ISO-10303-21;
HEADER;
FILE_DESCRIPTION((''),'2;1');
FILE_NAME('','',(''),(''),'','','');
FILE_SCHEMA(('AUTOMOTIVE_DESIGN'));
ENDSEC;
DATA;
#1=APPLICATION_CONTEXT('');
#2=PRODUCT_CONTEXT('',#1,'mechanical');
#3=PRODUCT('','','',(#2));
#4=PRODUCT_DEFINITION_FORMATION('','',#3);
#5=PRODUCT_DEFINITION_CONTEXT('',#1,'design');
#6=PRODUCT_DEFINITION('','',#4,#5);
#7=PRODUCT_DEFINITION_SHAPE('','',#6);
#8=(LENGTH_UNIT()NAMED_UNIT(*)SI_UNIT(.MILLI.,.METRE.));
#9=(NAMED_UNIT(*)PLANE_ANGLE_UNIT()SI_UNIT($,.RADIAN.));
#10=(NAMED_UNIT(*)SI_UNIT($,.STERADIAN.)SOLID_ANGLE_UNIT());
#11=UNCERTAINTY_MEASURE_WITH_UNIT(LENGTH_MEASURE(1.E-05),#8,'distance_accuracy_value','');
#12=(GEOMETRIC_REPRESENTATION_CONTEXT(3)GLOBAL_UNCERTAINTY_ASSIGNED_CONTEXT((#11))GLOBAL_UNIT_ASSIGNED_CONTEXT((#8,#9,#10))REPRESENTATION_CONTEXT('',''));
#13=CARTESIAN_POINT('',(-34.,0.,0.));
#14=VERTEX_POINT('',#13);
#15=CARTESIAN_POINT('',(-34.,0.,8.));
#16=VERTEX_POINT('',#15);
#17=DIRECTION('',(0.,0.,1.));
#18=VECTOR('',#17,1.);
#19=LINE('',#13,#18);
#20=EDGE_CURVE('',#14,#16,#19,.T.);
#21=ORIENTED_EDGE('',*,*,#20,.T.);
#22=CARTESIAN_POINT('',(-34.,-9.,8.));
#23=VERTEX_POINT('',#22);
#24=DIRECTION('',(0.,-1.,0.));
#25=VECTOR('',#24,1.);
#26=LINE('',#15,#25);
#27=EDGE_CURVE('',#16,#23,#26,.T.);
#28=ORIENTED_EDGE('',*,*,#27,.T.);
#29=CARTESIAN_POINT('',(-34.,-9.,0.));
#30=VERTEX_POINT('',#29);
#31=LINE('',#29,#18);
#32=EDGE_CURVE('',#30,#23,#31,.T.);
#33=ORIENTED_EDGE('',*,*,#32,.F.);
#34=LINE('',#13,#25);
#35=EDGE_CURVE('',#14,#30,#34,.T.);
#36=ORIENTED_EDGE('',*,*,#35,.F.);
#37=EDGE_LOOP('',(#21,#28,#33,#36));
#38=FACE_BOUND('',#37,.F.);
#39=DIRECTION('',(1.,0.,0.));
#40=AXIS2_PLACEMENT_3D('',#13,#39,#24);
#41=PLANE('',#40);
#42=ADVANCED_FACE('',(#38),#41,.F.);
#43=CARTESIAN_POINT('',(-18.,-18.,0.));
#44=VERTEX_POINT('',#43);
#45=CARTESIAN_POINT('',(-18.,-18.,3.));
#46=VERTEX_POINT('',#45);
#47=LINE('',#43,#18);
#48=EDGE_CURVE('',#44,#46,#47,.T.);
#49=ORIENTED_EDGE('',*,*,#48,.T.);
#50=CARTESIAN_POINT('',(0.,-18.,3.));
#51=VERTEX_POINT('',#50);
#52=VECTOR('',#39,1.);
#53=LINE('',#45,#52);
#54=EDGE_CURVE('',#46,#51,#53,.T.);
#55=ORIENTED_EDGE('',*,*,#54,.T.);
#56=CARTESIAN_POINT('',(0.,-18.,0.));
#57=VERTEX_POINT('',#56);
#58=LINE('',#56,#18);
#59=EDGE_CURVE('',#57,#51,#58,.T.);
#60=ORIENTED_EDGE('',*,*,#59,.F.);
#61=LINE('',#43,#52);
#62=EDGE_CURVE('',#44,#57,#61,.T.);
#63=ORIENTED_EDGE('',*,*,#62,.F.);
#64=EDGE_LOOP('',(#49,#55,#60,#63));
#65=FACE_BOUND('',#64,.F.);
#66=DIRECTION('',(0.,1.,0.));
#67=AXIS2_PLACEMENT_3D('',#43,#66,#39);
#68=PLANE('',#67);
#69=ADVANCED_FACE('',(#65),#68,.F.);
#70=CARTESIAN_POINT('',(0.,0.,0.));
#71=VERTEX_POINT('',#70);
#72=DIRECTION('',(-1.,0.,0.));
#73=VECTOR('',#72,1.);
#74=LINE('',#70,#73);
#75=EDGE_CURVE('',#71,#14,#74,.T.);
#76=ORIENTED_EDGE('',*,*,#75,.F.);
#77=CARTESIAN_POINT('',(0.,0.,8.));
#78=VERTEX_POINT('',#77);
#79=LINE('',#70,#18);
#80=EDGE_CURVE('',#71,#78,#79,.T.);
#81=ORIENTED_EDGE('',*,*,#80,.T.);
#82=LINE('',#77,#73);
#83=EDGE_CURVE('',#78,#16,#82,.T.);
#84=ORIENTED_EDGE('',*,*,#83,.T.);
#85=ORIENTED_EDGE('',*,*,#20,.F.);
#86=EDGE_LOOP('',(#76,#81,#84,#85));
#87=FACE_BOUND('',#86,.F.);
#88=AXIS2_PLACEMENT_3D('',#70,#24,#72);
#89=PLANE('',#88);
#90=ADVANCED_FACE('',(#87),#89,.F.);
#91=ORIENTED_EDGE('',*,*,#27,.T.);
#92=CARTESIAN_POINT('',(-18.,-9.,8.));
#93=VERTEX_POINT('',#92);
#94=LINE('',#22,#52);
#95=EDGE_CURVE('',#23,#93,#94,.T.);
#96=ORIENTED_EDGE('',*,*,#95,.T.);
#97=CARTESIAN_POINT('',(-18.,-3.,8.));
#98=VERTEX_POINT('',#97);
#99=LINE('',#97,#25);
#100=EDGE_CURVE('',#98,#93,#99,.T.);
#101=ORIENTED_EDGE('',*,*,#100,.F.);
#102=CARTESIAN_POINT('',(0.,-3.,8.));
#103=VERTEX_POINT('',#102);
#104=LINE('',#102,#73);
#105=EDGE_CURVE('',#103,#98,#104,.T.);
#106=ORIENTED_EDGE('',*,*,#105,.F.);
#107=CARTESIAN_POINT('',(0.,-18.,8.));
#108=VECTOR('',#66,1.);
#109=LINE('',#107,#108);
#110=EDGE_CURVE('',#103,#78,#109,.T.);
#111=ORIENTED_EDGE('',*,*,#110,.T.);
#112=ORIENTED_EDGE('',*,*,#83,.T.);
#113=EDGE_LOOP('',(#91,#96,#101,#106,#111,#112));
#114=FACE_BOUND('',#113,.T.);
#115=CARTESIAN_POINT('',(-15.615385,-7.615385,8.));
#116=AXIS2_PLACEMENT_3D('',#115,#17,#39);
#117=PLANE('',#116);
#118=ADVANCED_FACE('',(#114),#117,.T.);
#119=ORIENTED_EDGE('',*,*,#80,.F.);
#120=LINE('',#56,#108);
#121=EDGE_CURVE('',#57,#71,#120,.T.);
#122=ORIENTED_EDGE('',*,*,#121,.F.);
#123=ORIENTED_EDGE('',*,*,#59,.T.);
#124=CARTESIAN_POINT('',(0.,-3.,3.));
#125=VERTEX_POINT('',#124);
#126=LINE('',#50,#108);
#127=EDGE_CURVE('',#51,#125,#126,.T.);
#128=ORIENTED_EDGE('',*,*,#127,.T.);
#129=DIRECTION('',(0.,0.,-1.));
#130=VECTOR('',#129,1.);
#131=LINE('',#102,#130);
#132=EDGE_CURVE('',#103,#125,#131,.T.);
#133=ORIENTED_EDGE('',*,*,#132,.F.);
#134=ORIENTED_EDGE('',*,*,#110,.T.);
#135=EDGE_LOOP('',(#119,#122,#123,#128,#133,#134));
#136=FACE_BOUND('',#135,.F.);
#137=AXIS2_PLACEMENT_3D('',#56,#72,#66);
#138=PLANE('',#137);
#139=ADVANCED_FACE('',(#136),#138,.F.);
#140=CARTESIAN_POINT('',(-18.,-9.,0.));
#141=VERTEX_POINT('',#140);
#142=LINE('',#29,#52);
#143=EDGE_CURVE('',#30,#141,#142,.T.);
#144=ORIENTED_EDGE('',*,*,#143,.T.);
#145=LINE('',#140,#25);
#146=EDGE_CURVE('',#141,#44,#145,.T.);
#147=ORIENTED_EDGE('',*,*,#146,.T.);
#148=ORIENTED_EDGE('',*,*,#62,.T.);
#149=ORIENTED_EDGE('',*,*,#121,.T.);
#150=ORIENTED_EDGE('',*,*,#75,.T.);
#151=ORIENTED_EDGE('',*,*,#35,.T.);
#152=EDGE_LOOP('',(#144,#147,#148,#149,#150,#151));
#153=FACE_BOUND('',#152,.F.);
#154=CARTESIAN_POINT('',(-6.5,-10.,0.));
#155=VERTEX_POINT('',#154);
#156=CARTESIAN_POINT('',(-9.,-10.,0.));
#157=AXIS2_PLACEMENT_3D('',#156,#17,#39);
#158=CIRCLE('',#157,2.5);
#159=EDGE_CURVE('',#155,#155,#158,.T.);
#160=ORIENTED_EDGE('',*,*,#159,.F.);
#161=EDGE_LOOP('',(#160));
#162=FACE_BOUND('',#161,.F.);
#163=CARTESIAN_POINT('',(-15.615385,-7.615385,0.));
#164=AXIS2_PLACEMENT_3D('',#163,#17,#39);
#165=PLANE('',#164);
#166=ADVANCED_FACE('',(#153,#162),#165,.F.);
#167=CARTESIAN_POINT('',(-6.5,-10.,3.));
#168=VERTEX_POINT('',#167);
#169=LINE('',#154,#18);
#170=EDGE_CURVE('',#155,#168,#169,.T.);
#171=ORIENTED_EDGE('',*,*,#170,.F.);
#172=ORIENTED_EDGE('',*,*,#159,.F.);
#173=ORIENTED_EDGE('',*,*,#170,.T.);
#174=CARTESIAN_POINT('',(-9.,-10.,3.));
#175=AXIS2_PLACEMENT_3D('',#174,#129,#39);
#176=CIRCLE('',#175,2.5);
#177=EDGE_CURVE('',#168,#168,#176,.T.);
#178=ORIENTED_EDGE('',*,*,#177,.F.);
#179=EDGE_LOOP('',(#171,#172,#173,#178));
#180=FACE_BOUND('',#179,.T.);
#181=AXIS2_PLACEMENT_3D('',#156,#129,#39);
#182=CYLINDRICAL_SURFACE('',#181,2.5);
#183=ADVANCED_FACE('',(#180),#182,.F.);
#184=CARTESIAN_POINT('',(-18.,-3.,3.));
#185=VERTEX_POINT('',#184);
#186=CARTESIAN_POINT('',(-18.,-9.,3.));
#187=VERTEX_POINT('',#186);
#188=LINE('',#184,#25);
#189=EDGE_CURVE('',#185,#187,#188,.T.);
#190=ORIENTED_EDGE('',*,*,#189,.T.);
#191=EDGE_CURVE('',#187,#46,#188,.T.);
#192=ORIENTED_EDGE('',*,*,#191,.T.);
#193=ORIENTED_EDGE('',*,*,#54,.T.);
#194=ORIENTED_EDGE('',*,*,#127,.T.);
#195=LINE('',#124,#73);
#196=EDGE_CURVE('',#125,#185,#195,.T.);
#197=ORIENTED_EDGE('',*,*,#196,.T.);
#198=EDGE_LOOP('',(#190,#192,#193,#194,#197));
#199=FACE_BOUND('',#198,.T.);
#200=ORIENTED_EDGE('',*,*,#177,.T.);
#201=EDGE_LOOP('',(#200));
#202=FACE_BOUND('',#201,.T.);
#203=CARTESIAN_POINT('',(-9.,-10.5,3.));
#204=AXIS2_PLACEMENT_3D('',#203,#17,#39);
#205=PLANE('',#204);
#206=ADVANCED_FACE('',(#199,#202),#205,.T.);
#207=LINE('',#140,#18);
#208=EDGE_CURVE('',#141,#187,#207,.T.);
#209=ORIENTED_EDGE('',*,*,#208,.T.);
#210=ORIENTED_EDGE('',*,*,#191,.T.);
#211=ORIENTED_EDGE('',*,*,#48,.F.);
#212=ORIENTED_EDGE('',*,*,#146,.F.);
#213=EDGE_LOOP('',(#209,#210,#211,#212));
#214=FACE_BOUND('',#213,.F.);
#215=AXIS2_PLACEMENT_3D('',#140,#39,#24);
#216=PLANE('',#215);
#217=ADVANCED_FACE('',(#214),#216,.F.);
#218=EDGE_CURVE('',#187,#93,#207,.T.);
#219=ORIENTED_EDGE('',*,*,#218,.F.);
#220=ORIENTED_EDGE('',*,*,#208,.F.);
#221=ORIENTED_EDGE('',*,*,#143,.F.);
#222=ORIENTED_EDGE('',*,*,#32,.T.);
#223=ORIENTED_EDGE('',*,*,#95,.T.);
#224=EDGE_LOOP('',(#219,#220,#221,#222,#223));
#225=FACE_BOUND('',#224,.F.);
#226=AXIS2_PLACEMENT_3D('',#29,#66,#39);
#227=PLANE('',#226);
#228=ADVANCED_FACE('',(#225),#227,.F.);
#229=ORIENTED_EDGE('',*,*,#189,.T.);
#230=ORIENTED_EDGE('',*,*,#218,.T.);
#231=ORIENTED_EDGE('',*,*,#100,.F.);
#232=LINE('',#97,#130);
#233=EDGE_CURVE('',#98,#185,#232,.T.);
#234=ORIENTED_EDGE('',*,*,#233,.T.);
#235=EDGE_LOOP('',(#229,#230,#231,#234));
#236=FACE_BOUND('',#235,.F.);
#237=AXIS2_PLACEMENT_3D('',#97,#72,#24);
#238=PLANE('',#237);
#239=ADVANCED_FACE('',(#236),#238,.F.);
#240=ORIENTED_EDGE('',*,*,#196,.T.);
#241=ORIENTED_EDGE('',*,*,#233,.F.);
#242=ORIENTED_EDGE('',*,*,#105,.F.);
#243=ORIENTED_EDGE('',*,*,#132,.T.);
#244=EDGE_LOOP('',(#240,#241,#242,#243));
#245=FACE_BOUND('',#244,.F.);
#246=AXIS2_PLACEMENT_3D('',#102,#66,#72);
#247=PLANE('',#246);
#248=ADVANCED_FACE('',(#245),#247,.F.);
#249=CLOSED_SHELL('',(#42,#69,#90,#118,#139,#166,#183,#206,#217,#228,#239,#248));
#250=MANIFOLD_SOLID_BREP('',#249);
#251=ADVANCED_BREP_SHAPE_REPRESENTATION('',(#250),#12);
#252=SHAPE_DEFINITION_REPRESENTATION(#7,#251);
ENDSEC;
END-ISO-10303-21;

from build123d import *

# Parameters (mm, degrees)
F0_R     = 2.5
F1_DEPTH = 8
F3_DEPTH = 5


with BuildPart() as f1:
    # F0 (on Top) → F1 (new body)
    with BuildSketch(Plane.XY):
        Polygon((-18, -18), (0, -18), (0, 0), (-34, 0), (-34, -9), (-18, -9), align=None)
        with Locations((-9, -10)):
            Circle(F0_R, mode=Mode.SUBTRACT)
    extrude(amount=F1_DEPTH)

    # F2 (on face) → F3 (cut)
    with BuildSketch(Plane.XY.offset(8)):
        Polygon((-18, -3), (-18, -9), (-18, -18), (0, -18), (0, -3), align=None)
    extrude(amount=-F3_DEPTH, mode=Mode.SUBTRACT)


solid = f1.part
